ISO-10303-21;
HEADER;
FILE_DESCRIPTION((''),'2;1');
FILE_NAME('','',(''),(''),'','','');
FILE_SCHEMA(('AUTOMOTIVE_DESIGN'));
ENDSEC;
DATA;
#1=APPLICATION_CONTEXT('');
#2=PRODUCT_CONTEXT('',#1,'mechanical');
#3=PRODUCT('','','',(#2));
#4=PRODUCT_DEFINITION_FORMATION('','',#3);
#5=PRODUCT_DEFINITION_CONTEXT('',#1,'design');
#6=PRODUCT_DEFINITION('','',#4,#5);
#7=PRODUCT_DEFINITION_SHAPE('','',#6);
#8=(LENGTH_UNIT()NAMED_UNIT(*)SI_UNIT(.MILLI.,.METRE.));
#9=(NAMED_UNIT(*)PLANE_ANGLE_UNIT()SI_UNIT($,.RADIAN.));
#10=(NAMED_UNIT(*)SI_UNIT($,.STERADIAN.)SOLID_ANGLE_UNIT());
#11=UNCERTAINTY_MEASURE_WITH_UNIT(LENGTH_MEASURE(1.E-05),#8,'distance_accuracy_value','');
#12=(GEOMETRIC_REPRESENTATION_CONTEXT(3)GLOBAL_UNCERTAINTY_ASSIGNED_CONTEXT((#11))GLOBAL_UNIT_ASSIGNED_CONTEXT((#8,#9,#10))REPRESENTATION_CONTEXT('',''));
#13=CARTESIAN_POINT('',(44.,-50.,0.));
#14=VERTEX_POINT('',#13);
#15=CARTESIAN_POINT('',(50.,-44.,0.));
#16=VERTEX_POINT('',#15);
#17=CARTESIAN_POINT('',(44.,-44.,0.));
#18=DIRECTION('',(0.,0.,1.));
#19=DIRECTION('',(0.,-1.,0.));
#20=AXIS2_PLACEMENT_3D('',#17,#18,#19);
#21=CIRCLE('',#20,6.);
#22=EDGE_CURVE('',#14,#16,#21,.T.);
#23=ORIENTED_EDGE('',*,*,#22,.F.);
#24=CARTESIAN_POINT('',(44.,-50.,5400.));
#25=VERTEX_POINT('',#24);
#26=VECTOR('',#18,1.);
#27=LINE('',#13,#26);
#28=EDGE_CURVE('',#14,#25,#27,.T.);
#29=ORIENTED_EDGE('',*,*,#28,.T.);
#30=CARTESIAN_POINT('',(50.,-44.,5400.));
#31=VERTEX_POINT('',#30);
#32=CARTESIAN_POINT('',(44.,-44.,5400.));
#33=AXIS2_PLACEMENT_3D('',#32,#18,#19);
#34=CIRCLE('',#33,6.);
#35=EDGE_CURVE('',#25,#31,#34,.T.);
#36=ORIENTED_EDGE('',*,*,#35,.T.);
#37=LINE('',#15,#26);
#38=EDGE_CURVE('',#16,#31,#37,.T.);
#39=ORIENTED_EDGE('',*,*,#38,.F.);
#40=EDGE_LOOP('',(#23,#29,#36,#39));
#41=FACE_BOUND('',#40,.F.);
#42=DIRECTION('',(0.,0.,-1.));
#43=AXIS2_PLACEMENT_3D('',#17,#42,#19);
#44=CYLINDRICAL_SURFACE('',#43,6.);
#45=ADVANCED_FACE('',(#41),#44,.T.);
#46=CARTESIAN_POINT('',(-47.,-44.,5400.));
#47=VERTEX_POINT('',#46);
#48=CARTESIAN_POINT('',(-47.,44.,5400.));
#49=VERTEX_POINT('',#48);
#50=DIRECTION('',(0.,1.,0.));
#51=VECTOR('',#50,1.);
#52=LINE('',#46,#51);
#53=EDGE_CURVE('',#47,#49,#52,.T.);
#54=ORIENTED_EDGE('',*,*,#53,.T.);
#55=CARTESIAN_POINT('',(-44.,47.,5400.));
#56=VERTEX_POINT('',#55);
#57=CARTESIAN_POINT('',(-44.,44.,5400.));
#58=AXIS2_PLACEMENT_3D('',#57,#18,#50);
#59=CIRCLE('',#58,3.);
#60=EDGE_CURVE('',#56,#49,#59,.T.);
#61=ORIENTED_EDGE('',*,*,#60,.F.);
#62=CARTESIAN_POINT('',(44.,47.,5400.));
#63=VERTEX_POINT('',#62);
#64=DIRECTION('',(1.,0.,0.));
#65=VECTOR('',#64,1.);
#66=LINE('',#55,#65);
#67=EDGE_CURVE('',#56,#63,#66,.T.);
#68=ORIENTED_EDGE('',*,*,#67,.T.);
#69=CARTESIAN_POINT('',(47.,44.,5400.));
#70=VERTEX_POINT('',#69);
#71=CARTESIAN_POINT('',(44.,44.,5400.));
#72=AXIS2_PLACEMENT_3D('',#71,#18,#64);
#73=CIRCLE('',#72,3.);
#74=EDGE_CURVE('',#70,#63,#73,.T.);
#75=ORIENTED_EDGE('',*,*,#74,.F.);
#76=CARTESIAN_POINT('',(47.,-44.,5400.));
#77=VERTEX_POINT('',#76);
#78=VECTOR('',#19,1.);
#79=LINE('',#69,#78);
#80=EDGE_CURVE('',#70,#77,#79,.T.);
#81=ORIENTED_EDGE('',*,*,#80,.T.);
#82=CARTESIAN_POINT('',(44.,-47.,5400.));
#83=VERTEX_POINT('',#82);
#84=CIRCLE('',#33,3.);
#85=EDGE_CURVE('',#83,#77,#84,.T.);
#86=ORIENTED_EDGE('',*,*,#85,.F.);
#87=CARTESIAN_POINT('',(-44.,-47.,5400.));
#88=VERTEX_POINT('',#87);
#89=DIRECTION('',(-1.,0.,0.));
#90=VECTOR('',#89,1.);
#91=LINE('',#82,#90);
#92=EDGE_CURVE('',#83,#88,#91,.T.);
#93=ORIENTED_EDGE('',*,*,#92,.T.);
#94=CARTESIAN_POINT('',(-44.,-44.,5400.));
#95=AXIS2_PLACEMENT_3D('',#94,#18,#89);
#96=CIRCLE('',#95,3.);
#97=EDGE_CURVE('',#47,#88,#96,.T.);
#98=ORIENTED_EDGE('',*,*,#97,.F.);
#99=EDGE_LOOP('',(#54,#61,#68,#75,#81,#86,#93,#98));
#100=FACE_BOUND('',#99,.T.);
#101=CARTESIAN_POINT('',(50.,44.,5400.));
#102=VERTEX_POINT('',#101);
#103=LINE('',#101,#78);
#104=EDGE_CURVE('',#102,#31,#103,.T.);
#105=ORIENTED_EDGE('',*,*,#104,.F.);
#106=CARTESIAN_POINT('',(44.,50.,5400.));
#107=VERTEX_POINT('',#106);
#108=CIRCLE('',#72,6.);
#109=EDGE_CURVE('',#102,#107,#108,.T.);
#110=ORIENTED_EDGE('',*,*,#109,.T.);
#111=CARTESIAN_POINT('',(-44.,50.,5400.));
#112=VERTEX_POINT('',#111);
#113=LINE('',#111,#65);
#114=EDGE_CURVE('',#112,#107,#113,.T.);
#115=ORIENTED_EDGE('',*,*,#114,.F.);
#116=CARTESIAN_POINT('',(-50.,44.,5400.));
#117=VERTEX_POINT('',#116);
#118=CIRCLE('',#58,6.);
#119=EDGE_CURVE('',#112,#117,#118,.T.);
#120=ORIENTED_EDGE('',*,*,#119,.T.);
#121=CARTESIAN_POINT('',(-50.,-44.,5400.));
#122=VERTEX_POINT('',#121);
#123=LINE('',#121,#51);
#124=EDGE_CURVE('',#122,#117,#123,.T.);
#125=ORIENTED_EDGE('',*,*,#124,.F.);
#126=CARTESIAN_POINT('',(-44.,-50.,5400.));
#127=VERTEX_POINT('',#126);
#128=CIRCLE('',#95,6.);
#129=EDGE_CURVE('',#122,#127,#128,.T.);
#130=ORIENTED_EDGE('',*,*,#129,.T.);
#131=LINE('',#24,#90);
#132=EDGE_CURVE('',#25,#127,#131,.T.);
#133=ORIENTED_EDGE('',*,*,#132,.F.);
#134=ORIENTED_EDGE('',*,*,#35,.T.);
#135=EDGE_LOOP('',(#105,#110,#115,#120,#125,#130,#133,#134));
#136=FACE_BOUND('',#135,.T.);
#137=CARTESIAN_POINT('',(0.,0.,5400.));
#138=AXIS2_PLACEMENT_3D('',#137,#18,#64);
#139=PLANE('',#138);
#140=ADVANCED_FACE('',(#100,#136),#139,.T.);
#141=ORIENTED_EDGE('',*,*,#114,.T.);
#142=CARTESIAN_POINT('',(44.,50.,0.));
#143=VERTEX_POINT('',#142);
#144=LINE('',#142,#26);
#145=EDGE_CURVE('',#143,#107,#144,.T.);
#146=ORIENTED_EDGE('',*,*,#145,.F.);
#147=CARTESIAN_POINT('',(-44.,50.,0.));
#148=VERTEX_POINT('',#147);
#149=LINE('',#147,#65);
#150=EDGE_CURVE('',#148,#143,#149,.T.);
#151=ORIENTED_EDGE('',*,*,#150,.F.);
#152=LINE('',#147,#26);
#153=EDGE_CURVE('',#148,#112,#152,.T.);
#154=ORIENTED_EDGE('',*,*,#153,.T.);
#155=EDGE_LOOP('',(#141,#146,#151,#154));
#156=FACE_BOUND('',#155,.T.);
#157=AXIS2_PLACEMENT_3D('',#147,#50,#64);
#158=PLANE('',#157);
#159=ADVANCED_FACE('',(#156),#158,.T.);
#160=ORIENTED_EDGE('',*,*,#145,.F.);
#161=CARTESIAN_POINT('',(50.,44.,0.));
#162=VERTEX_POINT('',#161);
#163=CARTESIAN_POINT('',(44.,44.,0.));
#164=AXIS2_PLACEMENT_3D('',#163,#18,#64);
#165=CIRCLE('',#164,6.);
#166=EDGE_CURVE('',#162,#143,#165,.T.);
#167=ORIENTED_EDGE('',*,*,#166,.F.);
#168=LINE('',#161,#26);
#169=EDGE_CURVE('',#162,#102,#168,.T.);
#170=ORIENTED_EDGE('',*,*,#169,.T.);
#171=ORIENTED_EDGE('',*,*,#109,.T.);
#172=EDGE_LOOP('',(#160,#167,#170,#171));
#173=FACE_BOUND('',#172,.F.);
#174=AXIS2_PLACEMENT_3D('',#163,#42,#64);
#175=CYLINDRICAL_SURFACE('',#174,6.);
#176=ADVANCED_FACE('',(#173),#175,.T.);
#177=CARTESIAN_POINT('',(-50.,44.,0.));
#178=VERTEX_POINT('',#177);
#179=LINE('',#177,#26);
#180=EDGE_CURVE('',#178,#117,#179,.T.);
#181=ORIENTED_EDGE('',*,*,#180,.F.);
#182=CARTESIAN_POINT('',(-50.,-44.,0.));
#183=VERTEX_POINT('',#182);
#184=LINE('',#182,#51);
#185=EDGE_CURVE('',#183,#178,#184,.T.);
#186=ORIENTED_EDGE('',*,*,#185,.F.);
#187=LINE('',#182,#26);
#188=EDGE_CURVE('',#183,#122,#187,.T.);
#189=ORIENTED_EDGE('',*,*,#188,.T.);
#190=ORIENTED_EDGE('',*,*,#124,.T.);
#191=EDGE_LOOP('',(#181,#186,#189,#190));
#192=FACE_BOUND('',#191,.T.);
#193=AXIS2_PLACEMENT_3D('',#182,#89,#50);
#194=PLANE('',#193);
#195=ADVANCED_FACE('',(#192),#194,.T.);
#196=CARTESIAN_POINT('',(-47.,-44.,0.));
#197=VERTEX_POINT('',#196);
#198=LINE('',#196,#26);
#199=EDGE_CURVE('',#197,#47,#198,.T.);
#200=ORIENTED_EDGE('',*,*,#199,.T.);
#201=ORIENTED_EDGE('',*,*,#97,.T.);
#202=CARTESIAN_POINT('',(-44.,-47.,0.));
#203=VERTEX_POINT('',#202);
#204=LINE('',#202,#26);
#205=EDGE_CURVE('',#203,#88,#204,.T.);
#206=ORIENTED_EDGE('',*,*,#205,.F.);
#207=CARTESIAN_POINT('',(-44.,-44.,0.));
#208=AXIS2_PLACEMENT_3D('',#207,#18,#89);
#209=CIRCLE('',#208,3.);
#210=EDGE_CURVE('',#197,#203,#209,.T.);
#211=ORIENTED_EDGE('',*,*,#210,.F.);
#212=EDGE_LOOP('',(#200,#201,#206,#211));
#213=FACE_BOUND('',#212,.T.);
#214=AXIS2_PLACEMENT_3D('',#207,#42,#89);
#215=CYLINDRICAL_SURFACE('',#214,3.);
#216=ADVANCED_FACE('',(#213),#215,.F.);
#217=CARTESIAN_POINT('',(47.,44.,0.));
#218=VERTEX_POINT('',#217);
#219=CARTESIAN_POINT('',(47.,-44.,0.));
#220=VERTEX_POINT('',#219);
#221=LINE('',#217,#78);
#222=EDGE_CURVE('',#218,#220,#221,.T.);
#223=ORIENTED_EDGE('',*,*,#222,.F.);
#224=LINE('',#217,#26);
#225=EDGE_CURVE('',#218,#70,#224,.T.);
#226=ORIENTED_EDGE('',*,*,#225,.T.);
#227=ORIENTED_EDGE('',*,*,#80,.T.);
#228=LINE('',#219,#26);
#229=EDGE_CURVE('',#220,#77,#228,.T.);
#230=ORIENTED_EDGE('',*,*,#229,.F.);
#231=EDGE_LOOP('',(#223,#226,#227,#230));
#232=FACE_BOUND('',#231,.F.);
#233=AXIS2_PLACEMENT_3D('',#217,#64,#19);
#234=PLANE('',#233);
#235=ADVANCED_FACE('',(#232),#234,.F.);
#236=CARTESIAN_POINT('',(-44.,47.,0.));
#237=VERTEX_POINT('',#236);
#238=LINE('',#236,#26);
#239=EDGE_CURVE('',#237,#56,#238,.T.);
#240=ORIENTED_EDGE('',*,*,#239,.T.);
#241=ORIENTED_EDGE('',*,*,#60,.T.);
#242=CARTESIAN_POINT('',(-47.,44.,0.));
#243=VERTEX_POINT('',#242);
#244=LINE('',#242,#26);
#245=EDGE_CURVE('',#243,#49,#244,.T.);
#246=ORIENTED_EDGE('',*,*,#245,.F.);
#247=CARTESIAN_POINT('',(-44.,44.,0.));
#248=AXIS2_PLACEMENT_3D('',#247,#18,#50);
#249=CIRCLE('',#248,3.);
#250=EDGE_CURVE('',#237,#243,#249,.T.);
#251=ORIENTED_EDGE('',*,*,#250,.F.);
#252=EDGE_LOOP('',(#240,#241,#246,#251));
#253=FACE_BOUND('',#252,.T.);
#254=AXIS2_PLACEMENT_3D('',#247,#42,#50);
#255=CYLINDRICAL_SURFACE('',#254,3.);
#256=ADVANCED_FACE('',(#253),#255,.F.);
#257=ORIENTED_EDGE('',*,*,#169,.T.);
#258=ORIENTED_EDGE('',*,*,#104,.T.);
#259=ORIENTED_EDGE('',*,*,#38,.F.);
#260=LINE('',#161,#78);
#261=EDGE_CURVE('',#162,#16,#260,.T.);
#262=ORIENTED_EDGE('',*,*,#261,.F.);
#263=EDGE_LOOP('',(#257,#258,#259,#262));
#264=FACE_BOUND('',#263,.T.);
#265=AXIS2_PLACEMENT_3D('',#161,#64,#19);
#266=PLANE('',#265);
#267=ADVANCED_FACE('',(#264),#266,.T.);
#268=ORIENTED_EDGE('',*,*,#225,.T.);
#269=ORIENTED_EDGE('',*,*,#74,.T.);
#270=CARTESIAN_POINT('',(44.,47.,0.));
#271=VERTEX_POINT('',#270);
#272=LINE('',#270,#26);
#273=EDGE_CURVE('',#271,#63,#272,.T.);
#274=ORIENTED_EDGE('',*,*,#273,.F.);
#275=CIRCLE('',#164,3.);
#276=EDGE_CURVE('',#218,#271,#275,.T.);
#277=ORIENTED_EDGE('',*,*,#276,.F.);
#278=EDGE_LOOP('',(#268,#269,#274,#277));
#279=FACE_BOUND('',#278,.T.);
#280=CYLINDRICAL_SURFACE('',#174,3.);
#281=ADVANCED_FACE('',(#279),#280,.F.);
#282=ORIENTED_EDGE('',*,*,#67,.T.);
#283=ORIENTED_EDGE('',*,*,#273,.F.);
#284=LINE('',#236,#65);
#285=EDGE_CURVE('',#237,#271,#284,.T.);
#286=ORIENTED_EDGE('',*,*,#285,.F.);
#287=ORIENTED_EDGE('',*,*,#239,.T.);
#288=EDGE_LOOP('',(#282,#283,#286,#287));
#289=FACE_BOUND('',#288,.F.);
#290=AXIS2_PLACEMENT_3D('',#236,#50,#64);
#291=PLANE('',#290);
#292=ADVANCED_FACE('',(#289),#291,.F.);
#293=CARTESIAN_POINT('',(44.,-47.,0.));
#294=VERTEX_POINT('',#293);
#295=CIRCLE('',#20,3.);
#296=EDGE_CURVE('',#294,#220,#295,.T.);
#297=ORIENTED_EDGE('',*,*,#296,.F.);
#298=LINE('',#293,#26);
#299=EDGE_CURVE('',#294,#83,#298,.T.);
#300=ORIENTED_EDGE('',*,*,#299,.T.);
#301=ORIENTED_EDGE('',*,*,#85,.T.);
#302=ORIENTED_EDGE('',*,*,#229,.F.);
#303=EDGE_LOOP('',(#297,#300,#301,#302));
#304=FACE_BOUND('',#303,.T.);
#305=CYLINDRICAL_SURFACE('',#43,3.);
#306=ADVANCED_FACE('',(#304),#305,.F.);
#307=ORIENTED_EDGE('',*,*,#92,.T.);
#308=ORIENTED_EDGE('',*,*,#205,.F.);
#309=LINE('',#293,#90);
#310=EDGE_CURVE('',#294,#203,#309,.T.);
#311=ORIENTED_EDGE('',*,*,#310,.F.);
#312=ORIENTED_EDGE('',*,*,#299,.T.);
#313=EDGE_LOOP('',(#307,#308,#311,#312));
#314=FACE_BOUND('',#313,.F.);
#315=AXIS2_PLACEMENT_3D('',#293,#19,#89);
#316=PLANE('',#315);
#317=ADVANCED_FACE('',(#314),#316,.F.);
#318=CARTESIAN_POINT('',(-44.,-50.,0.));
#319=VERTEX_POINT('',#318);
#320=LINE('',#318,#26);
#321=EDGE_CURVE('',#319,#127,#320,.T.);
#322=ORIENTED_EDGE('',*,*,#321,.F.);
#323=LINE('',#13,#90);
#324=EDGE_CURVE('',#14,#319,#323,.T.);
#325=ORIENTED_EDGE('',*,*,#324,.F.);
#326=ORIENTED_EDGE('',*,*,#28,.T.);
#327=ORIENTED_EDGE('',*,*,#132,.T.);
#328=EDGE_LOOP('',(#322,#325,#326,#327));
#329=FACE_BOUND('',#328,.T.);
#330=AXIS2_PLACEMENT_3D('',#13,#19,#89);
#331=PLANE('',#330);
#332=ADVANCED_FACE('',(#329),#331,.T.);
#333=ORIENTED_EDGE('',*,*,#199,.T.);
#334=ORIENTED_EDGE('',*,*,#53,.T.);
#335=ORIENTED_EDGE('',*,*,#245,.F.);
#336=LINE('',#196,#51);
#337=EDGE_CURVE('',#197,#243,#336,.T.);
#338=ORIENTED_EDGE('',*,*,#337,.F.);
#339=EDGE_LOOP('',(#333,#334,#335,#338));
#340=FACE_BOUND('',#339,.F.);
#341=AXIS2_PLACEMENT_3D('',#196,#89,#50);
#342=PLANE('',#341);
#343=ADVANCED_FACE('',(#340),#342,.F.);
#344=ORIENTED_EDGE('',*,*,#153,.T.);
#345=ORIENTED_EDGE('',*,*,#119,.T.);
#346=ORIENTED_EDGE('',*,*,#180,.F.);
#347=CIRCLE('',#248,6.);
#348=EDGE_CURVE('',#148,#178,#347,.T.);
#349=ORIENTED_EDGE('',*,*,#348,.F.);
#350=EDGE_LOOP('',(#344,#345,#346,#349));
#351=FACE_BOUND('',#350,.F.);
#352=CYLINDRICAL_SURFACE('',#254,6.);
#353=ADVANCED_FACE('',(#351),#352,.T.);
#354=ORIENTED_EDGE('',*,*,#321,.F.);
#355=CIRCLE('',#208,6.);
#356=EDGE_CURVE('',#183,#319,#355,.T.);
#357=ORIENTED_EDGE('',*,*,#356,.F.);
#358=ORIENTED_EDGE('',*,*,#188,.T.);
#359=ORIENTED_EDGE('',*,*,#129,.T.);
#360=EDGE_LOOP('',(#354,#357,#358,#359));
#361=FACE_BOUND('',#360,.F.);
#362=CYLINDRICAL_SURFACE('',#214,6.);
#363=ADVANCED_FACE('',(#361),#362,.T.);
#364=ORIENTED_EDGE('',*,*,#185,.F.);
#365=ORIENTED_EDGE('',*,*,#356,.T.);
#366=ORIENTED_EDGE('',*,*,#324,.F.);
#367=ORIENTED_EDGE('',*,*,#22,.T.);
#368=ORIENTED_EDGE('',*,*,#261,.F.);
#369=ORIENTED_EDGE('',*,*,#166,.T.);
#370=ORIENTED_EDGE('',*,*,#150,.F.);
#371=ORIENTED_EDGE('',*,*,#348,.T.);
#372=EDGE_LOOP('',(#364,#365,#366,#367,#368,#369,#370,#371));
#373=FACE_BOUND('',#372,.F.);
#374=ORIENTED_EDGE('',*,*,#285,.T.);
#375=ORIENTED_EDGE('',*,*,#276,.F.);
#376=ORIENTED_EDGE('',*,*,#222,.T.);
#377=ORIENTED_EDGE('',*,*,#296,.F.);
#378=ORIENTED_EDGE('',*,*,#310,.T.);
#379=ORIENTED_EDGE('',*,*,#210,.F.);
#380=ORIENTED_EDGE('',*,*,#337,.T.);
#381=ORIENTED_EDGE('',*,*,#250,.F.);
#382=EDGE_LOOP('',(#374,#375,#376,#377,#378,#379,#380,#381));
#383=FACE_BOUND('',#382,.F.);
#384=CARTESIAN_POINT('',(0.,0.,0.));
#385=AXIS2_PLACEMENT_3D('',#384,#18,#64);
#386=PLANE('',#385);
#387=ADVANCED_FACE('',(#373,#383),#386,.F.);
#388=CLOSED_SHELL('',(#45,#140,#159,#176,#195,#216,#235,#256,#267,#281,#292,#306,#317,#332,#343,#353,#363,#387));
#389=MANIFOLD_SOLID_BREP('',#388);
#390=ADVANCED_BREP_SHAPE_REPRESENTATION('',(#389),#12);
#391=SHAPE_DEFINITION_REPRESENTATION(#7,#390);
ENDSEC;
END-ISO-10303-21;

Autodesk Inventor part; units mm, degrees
ref_plane "YZ Plane" through (0, 0, 0) normal (1, 0, 0) x (0, 1, 0)
ref_plane "Start Plane" through (0, 0, 0) normal (0, 0, 1) x (1, 0, 0)
ref_plane "End Plane" through (0, 0, 5400) normal (0, 0, 1) x (1, 0, 0)
sketch "Sketch" plane through (0, 0, 0) normal (0, 0, 1) x (1, 0, 0)
  line L0 (-50, -44) -> (-50, 44)
  line L1 (-44, 50) -> (44, 50)
  line L2 (50, 44) -> (50, -44)
  line L3 (44, -50) -> (-44, -50)
  arc A0 (-50, -44) -> (-44, -50) centre (-44, -44) ccw
  arc A1 (50, 44) -> (44, 50) centre (44, 44) ccw
  arc A2 (-44, 50) -> (-50, 44) centre (-44, 44) ccw
  arc A3 (44, -50) -> (50, -44) centre (44, -44) ccw
  arc A4 (-44, 47) -> (-47, 44) centre (-44, 44) ccw
  line L4 (-44, 47) -> (44, 47)
  arc A5 (47, 44) -> (44, 47) centre (44, 44) ccw
  line L5 (47, 44) -> (47, -44)
  arc A6 (44, -47) -> (47, -44) centre (44, -44) ccw
  line L6 (44, -47) -> (-44, -47)
  arc A7 (-47, -44) -> (-44, -47) centre (-44, -44) ccw
  line L7 (-47, -44) -> (-47, 44)
  line L8 (0, 71.7397) -> (0, -71.7397) construction
  line L9 (-71.7397, 0) -> (71.7397, 0) construction
  dimension "d7" = 6
  dimension "d9" = 100
  dimension "d11" = 100
  dimension "d12" = 3
  dimension "d15" = 50
  dimension "d16" = 50
extrude "Body" add sketch "Sketch" along normal up to surface (5400 mm away) from surface at 0
sketch "Sketch3" plane through (0, 0, 0) normal (0, 0, 1) x (1, 0, 0)
  line L0 (0, 0) -> (10, 0)
ref_plane "Work Plane3" through (0, 0, 0) normal (0, -1, 0) x (1, 0, 0)
sketch "Sketch4" plane through (0, 0, 0) normal (0, -1, 0) x (1, 0, 0)
  line L0 (-2, 0) -> (12, 0) projected
  line L1 (-2, 5400) -> (12, 5400) projected
  dimension "d18" = 5400
equation "\"d7\" = G_IR"
equation "\"d9\" = G_W"
equation "\"d11\" = G_H"
equation "\"d12\" = G_T"
equation "\"d15\" = 0.5 * d9"
equation "\"d16\" = 0.5 * d11"
equation "\"d3\" = G_L"
equation "\"G_W\" = 100"
equation "\"G_H\" = 100"
equation "\"G_T\" = 3"
equation "\"G_IR\" = 6"
equation "\"G_L\" = d18"
equation "\"G_OFFSET_START\" = 0"
equation "\"G_OFFSET_END\" = 0"
properties part number "ISO 10799-2 - 100x100x3 - 5400" material "Steel, Mild"
